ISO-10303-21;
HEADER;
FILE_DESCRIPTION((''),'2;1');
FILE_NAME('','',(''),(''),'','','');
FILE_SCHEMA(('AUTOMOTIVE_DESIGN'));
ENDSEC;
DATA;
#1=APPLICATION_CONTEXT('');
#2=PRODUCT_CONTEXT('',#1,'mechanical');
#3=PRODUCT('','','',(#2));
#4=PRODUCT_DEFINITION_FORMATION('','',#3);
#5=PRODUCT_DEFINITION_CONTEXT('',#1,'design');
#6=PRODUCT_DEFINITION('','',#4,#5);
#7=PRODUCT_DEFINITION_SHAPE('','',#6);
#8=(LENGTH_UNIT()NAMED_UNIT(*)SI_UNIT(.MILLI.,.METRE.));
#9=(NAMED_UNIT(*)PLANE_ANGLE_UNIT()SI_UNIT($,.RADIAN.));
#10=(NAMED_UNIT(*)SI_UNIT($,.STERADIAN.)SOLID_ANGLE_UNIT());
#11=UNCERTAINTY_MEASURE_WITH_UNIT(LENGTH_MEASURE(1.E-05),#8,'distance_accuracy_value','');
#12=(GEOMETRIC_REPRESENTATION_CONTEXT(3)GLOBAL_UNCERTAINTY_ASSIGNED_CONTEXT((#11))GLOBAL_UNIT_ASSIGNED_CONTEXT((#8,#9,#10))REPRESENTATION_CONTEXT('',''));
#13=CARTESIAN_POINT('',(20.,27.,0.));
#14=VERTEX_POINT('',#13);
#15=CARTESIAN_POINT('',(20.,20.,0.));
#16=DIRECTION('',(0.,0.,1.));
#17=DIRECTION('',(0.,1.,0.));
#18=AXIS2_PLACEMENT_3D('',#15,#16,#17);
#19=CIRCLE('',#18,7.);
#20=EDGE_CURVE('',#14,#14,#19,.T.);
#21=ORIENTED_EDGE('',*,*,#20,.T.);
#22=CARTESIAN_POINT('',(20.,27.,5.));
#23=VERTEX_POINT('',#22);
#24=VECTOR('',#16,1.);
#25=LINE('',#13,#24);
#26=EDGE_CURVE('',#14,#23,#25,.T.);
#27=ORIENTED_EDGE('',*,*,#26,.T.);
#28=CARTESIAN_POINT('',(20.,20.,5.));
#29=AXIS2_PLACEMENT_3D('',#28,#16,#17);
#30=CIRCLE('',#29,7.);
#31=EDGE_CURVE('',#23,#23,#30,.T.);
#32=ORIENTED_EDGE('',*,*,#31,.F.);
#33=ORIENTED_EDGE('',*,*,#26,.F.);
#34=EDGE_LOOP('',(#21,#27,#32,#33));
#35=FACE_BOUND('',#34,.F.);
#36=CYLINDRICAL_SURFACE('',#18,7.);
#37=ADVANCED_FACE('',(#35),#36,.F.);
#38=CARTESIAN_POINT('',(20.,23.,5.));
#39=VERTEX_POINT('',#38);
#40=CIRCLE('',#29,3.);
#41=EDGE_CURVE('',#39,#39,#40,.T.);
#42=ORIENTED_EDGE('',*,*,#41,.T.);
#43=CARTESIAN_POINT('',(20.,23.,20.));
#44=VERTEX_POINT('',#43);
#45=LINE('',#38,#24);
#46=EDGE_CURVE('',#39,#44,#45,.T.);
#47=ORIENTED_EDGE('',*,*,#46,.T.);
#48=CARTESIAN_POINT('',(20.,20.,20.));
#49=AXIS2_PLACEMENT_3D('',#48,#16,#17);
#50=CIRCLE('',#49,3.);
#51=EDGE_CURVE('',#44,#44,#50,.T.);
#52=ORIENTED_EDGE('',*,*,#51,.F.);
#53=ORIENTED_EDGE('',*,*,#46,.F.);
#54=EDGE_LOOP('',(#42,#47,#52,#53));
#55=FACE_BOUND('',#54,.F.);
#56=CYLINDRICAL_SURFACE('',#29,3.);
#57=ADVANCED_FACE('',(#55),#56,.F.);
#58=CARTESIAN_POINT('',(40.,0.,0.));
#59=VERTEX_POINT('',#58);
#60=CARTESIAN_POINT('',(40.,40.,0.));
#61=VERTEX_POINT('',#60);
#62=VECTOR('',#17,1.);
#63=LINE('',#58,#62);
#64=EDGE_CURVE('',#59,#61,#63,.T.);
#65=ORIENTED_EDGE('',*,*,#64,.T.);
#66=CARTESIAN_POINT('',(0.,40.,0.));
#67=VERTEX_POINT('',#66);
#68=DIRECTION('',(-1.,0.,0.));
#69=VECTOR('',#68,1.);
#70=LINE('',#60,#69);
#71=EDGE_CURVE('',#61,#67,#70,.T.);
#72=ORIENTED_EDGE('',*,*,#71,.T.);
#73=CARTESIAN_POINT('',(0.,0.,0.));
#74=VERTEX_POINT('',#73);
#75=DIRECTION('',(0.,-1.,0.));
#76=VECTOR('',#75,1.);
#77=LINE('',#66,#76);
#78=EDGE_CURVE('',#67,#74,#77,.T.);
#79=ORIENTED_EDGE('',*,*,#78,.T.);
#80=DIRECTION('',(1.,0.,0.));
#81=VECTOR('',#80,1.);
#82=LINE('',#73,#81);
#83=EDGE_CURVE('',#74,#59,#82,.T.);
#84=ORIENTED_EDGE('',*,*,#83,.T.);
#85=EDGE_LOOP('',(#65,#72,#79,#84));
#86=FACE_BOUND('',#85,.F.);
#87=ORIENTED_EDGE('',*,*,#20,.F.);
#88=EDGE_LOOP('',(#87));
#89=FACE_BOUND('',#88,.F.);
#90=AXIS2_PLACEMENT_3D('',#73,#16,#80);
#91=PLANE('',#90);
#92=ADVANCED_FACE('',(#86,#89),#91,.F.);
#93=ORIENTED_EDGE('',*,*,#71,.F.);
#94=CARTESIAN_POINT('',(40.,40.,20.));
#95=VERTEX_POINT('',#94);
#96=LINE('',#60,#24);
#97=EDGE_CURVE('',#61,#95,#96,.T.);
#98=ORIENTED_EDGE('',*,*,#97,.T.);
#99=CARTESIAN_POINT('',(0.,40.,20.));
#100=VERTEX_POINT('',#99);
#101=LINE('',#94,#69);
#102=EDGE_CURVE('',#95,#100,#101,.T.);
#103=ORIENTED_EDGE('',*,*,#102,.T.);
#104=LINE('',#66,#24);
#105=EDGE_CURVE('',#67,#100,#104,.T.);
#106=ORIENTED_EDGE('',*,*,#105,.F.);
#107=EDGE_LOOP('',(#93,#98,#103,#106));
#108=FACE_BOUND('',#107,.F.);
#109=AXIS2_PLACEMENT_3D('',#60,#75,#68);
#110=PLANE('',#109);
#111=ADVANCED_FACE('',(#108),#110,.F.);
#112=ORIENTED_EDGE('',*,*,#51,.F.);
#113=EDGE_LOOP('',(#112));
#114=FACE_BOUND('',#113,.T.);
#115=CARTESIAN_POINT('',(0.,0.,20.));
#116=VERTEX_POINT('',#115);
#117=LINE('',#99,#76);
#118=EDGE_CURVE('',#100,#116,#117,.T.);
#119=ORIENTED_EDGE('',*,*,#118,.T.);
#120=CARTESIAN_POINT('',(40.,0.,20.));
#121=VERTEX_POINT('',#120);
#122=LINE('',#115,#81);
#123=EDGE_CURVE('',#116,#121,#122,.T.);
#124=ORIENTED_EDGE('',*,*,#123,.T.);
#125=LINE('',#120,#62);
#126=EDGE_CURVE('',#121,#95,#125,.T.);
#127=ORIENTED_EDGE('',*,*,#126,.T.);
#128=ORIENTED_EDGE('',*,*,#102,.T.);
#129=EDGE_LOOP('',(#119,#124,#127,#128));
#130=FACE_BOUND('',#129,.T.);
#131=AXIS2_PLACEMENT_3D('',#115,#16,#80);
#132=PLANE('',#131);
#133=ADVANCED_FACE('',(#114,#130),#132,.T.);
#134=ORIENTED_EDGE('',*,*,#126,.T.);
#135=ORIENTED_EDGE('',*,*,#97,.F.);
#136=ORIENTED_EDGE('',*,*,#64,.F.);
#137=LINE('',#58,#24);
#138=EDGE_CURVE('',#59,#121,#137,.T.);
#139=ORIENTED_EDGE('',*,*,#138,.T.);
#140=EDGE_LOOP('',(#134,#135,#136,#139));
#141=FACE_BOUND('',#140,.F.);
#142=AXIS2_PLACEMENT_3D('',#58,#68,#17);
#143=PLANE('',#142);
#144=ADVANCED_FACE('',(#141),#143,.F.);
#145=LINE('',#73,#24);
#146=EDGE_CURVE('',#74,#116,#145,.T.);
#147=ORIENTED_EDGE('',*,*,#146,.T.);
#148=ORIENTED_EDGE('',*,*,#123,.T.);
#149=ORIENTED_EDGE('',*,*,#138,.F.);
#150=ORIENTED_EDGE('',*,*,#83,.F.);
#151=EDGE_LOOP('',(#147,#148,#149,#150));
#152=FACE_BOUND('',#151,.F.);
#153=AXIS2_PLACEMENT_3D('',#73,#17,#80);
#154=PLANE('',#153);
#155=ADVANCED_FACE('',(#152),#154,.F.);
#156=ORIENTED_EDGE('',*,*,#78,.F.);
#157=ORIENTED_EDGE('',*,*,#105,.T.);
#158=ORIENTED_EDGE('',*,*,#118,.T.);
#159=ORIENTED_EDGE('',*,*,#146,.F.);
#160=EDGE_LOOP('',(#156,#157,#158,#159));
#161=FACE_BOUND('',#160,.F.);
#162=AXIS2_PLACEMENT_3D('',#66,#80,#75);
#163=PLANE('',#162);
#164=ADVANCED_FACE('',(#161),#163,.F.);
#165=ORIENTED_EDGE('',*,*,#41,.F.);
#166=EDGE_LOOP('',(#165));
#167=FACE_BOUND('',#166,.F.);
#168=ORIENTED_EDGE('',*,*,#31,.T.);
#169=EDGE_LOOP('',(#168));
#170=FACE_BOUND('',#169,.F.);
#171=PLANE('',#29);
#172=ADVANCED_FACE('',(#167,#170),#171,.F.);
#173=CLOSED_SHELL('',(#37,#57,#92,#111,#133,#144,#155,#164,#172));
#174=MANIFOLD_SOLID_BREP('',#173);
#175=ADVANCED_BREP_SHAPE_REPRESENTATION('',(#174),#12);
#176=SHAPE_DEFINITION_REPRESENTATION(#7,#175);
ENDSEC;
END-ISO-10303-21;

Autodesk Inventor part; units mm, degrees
ref_plane "YZ Plane" through (0, 0, 0) normal (1, 0, 0) x (0, 1, 0)
ref_plane "XZ Plane" through (0, 0, 0) normal (0, 1, 0) x (-1, 0, 0)
ref_plane "XY Plane" through (0, 0, 0) normal (0, 0, 1) x (1, 0, 0)
sketch "Sketch1" plane through (0, 0, 0) normal (0, 0, 1) x (1, 0, 0)
  line L0 (0, 0) -> (40, 0)
  line L1 (40, 0) -> (40, 40)
  line L2 (40, 40) -> (0, 40)
  line L3 (0, 40) -> (0, 0)
extrude "Extrusion1" add sketch "Sketch1" along normal blind 20
sketch "Sketch2" plane through (0, 0, 0) normal (0, 0, 1) x (1, 0, 0)
  point P0 (20, 20)
hole "Hole1" at (20, 20, 0) direction (0, 0, 1) diameter 6 end through all counterbore diameter 14 counterbore depth 5
properties part number "25_hole_counterbore"
